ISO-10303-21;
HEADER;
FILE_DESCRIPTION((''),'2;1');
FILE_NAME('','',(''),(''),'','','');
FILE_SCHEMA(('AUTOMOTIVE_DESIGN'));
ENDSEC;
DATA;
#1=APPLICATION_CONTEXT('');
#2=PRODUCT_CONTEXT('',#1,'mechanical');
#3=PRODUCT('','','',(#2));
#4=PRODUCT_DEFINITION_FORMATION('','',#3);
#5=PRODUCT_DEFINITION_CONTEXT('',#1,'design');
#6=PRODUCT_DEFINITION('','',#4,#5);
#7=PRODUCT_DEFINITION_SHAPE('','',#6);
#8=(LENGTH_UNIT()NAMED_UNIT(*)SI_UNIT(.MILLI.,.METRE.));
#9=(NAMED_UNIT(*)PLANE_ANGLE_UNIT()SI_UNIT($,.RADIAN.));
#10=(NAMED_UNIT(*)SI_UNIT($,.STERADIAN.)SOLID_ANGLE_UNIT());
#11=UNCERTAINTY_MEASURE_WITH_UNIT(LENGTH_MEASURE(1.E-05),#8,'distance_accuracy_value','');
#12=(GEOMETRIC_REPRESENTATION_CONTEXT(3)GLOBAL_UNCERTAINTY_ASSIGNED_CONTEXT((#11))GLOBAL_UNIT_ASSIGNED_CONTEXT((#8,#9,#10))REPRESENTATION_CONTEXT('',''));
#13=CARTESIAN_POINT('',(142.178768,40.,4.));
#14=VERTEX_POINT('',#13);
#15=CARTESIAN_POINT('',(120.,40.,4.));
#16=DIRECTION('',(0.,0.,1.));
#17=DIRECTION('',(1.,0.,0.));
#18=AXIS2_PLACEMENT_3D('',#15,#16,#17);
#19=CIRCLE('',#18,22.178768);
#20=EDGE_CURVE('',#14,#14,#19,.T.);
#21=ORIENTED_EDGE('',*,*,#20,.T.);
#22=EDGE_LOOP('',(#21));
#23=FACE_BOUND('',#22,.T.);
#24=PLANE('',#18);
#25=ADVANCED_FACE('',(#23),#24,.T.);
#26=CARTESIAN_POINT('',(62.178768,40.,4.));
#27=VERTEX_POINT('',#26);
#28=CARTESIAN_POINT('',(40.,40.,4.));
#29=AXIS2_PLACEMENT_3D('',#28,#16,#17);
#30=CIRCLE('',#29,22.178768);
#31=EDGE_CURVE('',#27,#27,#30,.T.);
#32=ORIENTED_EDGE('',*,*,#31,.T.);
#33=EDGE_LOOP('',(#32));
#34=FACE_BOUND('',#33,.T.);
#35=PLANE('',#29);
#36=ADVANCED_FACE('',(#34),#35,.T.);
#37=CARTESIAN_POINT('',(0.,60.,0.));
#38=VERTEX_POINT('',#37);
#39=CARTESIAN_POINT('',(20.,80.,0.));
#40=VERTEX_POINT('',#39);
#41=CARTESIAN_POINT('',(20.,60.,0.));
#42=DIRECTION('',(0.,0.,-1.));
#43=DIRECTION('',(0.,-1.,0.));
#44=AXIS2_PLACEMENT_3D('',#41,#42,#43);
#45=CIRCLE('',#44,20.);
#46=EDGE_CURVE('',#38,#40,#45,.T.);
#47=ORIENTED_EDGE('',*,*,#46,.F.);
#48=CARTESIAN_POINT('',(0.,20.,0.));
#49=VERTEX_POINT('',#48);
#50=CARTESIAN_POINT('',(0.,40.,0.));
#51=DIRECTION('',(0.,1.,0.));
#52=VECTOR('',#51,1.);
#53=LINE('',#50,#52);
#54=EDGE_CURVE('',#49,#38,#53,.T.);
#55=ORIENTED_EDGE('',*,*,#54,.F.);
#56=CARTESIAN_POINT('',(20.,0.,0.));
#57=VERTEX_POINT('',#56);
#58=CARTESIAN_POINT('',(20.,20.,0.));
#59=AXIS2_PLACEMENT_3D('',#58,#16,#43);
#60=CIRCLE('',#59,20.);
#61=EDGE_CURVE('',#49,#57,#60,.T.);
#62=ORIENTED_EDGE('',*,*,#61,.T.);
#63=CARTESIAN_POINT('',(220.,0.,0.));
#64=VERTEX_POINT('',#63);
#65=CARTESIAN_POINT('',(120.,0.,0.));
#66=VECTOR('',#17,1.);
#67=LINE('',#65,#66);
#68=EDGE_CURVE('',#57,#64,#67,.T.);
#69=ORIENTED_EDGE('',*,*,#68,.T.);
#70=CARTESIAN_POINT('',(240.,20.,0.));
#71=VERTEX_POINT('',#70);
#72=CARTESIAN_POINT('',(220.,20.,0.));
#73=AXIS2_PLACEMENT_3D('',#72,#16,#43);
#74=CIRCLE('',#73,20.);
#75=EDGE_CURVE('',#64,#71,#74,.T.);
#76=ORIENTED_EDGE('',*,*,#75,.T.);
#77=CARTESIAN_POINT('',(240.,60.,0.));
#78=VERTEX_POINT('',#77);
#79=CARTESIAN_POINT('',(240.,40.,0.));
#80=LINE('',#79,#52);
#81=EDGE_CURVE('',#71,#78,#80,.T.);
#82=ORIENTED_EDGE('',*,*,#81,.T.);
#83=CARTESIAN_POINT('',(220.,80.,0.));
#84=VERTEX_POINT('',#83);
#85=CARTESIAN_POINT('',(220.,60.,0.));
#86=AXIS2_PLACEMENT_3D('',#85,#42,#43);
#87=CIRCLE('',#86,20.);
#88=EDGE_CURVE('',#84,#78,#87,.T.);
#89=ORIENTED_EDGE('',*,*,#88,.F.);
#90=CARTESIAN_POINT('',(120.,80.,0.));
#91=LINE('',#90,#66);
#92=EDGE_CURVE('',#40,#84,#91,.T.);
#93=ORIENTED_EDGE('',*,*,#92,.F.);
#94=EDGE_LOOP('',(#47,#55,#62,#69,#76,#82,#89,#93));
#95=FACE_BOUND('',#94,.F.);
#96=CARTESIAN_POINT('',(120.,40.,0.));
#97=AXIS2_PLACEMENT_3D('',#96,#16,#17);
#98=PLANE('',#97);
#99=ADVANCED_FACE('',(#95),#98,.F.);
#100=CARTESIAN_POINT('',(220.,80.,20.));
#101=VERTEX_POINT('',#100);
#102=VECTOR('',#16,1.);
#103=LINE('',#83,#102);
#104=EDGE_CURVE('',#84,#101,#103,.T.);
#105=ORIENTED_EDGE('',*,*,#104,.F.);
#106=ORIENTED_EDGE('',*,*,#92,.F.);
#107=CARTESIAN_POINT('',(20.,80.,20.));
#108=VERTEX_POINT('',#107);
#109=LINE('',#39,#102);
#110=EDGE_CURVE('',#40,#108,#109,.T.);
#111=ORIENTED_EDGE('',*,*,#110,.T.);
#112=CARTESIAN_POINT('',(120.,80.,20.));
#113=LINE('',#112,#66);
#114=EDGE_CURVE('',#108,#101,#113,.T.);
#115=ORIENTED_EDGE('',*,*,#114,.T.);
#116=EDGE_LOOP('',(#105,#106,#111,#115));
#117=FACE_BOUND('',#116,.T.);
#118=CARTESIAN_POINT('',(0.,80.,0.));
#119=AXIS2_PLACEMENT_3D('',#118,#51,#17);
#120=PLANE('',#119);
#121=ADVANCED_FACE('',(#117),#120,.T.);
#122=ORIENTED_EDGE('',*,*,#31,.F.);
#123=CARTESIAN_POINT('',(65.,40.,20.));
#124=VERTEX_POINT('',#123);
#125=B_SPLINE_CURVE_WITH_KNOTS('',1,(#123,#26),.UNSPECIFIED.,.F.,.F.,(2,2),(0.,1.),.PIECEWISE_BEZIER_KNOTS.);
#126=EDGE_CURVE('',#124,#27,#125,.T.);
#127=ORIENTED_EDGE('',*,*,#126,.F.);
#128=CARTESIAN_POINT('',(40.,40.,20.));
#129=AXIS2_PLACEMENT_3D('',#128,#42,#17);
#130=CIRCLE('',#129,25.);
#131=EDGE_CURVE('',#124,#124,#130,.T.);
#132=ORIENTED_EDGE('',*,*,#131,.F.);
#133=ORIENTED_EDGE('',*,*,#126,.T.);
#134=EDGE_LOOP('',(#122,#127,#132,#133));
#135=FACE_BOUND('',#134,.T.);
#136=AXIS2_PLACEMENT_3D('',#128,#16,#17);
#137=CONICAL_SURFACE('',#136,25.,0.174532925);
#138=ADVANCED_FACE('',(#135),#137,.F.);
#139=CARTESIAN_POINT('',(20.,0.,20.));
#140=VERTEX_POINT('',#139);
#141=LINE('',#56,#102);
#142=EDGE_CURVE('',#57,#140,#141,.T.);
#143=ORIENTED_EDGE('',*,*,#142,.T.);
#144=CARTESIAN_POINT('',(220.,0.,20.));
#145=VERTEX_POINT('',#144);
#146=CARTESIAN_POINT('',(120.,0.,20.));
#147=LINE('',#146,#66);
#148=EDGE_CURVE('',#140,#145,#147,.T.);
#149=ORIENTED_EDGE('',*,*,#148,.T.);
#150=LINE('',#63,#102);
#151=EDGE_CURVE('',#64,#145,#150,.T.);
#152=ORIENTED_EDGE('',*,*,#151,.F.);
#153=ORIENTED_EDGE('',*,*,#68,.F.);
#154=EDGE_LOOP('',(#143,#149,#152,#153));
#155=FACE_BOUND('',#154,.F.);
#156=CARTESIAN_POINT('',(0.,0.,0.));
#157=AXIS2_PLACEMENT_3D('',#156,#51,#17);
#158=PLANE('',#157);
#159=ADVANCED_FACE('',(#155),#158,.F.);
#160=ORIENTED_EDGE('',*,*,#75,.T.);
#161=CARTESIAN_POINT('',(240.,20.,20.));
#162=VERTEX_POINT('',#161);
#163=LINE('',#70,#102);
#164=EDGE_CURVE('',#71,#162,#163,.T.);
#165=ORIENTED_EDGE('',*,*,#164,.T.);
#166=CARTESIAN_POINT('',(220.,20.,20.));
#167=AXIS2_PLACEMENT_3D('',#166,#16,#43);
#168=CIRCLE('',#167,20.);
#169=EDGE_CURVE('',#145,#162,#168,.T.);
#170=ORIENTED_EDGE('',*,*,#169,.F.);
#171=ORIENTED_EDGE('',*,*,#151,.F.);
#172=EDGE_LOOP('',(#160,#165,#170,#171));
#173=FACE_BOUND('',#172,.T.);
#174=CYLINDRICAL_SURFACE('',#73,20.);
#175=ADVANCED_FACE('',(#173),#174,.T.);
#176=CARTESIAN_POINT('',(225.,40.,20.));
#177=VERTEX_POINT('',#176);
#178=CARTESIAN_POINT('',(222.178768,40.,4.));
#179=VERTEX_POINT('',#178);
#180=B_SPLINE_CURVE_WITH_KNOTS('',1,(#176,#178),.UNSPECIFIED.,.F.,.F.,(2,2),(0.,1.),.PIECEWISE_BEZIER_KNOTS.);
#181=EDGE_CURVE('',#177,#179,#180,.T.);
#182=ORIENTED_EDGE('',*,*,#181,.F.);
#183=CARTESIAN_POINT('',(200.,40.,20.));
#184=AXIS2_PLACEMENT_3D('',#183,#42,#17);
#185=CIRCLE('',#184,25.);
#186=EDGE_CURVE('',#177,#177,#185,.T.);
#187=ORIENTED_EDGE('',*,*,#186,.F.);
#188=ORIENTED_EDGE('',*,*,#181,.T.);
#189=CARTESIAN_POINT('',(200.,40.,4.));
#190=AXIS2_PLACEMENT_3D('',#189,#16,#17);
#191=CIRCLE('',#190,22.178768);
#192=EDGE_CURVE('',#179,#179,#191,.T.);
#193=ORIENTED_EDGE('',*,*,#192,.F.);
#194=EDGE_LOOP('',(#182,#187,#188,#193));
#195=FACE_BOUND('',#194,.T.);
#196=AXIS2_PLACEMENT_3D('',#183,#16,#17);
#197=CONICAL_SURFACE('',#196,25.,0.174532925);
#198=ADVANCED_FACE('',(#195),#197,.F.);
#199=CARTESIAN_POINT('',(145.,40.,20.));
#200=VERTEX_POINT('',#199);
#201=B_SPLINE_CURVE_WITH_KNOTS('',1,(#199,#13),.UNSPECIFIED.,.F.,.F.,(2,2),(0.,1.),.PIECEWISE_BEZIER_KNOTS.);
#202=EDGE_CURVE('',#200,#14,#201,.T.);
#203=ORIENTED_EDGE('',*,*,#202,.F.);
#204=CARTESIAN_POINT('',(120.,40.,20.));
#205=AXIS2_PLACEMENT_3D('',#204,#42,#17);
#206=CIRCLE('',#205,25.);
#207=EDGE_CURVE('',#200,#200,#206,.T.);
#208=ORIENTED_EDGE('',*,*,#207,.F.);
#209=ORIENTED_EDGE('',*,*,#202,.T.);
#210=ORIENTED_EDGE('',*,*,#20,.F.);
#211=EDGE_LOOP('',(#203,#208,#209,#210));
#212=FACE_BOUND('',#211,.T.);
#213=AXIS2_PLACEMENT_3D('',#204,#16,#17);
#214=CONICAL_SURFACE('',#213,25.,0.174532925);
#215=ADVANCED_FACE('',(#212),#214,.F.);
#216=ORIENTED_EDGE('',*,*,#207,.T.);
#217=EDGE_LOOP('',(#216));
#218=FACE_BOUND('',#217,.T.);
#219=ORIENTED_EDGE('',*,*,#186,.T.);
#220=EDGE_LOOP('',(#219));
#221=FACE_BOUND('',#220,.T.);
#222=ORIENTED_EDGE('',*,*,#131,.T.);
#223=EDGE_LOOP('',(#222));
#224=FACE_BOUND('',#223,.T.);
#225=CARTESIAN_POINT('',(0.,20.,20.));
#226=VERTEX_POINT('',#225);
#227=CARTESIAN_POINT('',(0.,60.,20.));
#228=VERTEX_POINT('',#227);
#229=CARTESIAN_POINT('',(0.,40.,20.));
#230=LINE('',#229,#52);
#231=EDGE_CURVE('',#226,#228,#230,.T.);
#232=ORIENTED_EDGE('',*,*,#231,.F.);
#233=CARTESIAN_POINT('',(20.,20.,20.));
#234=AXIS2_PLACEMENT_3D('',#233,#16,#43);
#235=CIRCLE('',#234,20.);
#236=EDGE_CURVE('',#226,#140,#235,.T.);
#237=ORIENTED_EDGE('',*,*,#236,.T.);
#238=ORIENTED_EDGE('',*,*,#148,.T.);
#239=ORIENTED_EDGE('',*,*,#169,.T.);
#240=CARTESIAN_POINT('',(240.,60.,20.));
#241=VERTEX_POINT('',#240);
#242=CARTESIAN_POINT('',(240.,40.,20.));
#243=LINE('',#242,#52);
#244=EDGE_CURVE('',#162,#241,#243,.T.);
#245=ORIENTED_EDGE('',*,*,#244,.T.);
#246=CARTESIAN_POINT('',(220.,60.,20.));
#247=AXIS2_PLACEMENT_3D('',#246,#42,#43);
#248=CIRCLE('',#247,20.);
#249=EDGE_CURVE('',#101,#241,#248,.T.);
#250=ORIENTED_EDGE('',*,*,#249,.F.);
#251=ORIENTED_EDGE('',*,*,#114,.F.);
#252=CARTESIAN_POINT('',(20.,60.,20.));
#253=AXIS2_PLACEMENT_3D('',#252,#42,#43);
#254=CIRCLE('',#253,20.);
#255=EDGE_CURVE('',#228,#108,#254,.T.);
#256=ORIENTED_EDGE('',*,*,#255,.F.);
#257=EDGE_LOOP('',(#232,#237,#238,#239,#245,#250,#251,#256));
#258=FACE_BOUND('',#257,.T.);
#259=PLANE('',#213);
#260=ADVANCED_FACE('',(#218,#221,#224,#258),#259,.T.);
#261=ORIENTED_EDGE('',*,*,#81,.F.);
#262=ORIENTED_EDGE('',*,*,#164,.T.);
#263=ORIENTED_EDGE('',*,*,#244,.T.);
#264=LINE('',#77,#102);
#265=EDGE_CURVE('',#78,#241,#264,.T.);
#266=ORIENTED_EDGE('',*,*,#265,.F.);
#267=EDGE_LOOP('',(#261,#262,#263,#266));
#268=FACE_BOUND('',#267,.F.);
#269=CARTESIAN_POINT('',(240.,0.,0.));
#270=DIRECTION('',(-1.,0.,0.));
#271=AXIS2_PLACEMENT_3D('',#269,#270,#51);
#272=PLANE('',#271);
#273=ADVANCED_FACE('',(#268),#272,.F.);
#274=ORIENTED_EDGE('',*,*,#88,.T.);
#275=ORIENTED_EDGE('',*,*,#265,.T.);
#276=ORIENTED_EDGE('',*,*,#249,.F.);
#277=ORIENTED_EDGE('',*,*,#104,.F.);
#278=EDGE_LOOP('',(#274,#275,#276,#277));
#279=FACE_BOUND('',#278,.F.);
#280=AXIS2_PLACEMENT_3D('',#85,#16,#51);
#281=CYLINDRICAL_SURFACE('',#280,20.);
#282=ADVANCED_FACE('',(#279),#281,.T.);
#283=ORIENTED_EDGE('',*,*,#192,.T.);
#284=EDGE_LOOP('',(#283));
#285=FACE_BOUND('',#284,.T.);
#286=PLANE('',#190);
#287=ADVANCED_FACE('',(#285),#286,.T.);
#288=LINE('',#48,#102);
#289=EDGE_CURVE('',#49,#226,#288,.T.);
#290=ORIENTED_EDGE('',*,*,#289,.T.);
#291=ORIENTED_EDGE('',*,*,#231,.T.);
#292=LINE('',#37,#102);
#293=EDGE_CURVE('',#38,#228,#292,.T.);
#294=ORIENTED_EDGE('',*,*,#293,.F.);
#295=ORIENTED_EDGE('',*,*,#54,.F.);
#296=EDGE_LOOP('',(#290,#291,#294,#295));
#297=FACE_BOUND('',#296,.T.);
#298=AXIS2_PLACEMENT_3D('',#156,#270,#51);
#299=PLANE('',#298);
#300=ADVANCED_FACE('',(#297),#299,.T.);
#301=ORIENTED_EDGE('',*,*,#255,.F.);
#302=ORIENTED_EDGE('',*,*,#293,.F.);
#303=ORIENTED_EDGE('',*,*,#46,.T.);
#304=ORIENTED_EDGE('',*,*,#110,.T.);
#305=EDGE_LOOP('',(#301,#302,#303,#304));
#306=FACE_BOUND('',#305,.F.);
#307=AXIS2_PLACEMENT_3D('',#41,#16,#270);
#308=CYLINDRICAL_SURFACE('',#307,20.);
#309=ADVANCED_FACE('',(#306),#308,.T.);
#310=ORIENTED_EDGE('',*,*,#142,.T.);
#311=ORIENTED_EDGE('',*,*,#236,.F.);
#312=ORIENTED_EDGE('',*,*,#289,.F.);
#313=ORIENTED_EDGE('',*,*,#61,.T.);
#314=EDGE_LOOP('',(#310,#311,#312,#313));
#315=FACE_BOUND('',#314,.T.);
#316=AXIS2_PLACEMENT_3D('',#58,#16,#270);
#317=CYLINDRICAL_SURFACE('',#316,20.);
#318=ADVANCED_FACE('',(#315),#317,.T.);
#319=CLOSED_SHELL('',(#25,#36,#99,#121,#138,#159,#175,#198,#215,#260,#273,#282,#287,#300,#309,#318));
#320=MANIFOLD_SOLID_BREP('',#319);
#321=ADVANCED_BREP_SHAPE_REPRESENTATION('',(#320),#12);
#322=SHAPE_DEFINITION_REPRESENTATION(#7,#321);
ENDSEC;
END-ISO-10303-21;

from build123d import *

# Parameters (mm, degrees)
F0_W     = 240
F0_H     = 80
F1_DEPTH = 20
F2_R     = 25
F3_DEPTH = 16
F3_TAPER = 10
F4_R     = 20


with BuildPart() as f1:
    # F0 (on Top) → F1 (new body)
    with BuildSketch(Plane.XY):
        with Locations((120, 40)):
            Rectangle(F0_W, F0_H)
    extrude(amount=F1_DEPTH)

    # F2 (on face) → F3 (cut)
    with BuildSketch(Plane.XY.offset(20)):
        with Locations((40, 40)):
            Circle(F2_R)
        with Locations((120, 40)):
            Circle(F2_R)
        with Locations((200, 40)):
            Circle(F2_R)
    extrude(amount=-F3_DEPTH, taper=F3_TAPER, mode=Mode.SUBTRACT)

    # F4
    f4_edges = [f1.edges().sort_by_distance(p)[0] for p in [
        (240, 0, 10),
        (240, 80, 10),
        (0, 80, 10),
        (0, 0, 10),
    ]]
    fillet(f4_edges, radius=F4_R)


solid = f1.part
